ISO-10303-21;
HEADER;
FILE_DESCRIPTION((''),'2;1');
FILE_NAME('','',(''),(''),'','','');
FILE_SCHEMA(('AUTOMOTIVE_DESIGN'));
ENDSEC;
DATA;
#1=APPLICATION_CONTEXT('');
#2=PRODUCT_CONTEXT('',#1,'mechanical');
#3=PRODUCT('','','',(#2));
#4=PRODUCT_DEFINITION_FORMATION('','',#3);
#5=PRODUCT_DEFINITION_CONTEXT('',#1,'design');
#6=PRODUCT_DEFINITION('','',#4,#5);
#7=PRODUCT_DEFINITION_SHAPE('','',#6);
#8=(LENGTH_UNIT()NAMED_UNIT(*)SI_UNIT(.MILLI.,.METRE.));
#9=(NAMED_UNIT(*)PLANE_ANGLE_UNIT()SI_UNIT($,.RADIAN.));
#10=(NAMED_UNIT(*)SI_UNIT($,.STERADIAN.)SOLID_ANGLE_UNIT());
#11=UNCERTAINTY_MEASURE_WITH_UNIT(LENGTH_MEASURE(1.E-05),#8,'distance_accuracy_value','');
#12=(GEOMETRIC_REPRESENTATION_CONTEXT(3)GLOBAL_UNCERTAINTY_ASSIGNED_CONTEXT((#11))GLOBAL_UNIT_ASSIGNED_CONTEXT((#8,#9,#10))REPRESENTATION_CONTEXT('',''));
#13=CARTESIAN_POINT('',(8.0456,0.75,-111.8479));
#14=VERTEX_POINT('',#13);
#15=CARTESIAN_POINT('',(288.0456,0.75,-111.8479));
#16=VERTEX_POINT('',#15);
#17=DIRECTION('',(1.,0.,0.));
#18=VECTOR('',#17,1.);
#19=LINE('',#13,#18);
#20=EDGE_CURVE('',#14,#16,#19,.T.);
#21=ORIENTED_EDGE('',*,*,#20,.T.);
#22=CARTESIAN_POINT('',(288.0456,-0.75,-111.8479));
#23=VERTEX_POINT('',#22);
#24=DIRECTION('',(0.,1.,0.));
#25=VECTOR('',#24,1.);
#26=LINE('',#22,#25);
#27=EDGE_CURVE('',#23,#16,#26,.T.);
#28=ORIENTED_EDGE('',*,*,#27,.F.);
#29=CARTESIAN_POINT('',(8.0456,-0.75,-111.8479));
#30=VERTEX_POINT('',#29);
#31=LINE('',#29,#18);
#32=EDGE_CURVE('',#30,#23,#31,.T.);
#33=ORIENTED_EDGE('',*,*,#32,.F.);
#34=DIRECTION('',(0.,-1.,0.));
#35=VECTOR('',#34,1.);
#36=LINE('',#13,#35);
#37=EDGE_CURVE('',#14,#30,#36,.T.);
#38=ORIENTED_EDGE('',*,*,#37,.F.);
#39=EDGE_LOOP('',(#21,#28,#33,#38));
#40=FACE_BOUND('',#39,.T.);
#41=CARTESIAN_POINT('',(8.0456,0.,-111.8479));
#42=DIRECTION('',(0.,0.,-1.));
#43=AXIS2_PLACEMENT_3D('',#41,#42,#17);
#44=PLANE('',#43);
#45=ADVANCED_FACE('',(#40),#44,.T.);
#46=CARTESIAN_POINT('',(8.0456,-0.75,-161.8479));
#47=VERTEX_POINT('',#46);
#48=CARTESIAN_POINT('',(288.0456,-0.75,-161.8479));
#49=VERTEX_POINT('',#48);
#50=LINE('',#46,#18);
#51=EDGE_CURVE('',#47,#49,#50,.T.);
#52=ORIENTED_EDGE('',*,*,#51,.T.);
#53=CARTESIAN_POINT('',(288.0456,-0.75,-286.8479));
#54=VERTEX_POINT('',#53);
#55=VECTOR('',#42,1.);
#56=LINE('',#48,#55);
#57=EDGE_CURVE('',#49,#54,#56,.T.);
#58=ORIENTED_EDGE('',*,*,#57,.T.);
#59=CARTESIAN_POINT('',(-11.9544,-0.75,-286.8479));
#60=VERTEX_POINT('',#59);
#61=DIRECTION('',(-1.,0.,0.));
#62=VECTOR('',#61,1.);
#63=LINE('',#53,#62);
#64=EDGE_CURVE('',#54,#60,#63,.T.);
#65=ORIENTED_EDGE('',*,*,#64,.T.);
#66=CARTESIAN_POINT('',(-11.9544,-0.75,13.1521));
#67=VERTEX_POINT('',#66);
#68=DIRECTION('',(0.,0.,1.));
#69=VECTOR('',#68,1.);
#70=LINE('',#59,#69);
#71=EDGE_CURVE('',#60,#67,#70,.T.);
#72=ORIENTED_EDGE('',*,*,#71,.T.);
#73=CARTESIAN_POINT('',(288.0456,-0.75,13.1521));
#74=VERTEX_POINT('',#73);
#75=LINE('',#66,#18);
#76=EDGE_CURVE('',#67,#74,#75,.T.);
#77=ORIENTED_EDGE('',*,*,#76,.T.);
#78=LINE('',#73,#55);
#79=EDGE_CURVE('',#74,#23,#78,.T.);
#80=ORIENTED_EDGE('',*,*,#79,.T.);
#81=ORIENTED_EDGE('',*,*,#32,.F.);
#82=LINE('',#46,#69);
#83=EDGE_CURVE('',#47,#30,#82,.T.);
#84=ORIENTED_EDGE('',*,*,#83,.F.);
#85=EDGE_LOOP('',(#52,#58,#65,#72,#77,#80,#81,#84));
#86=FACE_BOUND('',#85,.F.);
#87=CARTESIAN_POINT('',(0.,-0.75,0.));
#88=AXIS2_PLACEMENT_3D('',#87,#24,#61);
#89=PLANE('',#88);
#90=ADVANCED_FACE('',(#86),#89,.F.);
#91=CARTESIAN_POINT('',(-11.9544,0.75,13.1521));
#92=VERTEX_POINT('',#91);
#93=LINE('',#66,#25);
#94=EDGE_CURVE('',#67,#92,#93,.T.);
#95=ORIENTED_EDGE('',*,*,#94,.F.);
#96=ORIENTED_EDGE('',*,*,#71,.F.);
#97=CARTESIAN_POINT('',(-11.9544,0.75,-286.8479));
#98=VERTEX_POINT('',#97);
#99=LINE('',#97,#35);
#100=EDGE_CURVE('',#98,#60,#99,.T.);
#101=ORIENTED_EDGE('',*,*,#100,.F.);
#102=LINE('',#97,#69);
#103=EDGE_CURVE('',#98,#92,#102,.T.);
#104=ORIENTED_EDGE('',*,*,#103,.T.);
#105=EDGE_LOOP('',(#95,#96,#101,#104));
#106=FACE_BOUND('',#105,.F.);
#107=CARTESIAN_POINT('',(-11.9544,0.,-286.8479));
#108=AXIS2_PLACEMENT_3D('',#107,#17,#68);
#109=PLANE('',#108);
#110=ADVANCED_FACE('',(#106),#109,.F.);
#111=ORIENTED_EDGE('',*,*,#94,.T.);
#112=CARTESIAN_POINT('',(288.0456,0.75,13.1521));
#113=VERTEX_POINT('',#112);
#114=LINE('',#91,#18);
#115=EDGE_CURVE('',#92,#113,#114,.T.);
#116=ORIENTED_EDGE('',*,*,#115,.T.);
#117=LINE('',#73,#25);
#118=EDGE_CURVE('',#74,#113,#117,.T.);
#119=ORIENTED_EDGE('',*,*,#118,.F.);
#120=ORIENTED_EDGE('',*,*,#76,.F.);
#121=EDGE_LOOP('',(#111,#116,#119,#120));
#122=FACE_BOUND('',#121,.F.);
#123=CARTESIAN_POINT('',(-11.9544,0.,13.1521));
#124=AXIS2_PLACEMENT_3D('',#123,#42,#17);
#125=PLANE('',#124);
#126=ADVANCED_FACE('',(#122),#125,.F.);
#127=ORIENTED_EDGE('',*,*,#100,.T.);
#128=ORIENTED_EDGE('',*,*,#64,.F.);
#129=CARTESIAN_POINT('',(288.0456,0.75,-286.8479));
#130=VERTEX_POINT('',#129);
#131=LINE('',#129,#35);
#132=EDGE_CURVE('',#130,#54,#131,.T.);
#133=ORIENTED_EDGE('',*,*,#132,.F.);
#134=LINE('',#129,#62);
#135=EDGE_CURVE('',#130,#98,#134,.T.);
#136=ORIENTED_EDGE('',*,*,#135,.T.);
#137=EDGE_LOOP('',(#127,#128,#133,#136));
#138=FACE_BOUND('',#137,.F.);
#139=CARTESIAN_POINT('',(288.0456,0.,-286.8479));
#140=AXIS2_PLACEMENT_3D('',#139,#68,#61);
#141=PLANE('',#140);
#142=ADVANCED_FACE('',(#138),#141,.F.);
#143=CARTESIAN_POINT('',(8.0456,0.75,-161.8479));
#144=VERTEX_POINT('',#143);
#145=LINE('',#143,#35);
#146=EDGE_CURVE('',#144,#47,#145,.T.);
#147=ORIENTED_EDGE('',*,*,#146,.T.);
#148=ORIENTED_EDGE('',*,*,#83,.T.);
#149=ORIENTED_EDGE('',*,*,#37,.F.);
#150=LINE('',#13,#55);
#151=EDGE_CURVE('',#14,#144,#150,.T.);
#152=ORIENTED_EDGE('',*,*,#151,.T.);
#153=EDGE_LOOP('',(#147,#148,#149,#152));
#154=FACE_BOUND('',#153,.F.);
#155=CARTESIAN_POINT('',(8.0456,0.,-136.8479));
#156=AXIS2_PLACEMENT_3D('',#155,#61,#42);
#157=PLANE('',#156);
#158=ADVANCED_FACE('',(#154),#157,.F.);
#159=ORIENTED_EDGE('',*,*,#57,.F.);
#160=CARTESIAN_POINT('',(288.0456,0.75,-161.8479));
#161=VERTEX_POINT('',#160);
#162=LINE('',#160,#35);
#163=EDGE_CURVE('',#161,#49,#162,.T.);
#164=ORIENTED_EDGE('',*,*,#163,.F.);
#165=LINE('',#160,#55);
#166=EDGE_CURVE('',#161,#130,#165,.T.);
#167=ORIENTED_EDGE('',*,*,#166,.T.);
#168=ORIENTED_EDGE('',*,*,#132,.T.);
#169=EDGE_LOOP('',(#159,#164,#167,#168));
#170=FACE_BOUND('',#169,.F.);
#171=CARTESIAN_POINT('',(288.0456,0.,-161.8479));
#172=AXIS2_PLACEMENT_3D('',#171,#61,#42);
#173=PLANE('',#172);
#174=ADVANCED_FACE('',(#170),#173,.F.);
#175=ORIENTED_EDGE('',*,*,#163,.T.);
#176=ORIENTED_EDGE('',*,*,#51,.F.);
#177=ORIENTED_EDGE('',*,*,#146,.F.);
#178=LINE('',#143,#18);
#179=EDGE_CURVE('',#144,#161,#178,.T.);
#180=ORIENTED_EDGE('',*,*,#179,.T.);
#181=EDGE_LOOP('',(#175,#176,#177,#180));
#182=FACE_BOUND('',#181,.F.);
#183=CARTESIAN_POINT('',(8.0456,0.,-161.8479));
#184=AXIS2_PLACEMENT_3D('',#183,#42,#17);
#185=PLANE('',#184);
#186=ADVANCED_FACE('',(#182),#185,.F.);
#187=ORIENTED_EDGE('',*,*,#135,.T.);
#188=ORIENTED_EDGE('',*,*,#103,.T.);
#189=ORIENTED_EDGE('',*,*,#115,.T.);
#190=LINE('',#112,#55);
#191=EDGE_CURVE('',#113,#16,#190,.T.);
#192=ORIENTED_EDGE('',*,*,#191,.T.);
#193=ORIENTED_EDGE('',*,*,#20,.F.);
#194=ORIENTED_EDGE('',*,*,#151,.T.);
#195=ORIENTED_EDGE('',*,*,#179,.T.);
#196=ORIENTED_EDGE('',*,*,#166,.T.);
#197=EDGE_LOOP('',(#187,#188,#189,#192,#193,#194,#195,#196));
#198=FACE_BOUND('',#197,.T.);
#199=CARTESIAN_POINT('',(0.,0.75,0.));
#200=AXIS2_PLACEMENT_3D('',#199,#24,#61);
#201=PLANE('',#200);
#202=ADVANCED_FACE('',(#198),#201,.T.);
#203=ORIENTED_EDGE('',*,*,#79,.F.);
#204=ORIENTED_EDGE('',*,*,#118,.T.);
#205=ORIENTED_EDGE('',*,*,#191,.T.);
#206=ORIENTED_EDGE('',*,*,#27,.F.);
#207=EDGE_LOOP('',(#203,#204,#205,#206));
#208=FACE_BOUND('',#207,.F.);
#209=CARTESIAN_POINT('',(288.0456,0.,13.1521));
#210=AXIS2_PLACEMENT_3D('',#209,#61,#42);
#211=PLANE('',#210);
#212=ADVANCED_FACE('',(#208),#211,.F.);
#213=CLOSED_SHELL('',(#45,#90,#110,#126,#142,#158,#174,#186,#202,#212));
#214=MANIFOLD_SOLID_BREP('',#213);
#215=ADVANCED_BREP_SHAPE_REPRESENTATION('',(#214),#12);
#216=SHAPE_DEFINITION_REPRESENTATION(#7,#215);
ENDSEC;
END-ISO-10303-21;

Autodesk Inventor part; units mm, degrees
ref_plane "YZ Plane" through (0, 0, 0) normal (1, 0, 0) x (0, 1, 0)
ref_plane "XZ Plane" through (0, 0, 0) normal (0, 1, 0) x (-1, 0, 0)
ref_plane "XY Plane" through (0, 0, 0) normal (0, 0, 1) x (1, 0, 0)
sketch "Boceto1" plane through (0, 0, 0) normal (0, 1, 0) x (-1, 0, 0)
  line L0 (11.9544, 13.1521) -> (-288.0456, 13.1521)
  line L1 (-288.0456, -286.8479) -> (11.9544, -286.8479)
  line L2 (11.9544, -286.8479) -> (11.9544, 13.1521)
  line L3 (-8.0456, -136.8479) -> (-8.0456, -161.8479)
  line L4 (-8.0456, -161.8479) -> (-288.0456, -161.8479)
  line L5 (-8.0456, -136.8479) -> (-8.0456, -111.8479)
  line L6 (-8.0456, -111.8479) -> (-288.0456, -111.8479)
  line L7 (-288.0456, 13.1521) -> (-288.0456, -111.8479)
  line L8 (-288.0456, -161.8479) -> (-288.0456, -286.8479)
  point P0 (0, 0)
  dimension "d0" = 300
  dimension "d1" = 300
  dimension "d3" = 25
  dimension "d4" = 25
extrude "Extrusión1" add sketch "Boceto1" along normal mid plane 1.5
properties part number "parte frontal"
